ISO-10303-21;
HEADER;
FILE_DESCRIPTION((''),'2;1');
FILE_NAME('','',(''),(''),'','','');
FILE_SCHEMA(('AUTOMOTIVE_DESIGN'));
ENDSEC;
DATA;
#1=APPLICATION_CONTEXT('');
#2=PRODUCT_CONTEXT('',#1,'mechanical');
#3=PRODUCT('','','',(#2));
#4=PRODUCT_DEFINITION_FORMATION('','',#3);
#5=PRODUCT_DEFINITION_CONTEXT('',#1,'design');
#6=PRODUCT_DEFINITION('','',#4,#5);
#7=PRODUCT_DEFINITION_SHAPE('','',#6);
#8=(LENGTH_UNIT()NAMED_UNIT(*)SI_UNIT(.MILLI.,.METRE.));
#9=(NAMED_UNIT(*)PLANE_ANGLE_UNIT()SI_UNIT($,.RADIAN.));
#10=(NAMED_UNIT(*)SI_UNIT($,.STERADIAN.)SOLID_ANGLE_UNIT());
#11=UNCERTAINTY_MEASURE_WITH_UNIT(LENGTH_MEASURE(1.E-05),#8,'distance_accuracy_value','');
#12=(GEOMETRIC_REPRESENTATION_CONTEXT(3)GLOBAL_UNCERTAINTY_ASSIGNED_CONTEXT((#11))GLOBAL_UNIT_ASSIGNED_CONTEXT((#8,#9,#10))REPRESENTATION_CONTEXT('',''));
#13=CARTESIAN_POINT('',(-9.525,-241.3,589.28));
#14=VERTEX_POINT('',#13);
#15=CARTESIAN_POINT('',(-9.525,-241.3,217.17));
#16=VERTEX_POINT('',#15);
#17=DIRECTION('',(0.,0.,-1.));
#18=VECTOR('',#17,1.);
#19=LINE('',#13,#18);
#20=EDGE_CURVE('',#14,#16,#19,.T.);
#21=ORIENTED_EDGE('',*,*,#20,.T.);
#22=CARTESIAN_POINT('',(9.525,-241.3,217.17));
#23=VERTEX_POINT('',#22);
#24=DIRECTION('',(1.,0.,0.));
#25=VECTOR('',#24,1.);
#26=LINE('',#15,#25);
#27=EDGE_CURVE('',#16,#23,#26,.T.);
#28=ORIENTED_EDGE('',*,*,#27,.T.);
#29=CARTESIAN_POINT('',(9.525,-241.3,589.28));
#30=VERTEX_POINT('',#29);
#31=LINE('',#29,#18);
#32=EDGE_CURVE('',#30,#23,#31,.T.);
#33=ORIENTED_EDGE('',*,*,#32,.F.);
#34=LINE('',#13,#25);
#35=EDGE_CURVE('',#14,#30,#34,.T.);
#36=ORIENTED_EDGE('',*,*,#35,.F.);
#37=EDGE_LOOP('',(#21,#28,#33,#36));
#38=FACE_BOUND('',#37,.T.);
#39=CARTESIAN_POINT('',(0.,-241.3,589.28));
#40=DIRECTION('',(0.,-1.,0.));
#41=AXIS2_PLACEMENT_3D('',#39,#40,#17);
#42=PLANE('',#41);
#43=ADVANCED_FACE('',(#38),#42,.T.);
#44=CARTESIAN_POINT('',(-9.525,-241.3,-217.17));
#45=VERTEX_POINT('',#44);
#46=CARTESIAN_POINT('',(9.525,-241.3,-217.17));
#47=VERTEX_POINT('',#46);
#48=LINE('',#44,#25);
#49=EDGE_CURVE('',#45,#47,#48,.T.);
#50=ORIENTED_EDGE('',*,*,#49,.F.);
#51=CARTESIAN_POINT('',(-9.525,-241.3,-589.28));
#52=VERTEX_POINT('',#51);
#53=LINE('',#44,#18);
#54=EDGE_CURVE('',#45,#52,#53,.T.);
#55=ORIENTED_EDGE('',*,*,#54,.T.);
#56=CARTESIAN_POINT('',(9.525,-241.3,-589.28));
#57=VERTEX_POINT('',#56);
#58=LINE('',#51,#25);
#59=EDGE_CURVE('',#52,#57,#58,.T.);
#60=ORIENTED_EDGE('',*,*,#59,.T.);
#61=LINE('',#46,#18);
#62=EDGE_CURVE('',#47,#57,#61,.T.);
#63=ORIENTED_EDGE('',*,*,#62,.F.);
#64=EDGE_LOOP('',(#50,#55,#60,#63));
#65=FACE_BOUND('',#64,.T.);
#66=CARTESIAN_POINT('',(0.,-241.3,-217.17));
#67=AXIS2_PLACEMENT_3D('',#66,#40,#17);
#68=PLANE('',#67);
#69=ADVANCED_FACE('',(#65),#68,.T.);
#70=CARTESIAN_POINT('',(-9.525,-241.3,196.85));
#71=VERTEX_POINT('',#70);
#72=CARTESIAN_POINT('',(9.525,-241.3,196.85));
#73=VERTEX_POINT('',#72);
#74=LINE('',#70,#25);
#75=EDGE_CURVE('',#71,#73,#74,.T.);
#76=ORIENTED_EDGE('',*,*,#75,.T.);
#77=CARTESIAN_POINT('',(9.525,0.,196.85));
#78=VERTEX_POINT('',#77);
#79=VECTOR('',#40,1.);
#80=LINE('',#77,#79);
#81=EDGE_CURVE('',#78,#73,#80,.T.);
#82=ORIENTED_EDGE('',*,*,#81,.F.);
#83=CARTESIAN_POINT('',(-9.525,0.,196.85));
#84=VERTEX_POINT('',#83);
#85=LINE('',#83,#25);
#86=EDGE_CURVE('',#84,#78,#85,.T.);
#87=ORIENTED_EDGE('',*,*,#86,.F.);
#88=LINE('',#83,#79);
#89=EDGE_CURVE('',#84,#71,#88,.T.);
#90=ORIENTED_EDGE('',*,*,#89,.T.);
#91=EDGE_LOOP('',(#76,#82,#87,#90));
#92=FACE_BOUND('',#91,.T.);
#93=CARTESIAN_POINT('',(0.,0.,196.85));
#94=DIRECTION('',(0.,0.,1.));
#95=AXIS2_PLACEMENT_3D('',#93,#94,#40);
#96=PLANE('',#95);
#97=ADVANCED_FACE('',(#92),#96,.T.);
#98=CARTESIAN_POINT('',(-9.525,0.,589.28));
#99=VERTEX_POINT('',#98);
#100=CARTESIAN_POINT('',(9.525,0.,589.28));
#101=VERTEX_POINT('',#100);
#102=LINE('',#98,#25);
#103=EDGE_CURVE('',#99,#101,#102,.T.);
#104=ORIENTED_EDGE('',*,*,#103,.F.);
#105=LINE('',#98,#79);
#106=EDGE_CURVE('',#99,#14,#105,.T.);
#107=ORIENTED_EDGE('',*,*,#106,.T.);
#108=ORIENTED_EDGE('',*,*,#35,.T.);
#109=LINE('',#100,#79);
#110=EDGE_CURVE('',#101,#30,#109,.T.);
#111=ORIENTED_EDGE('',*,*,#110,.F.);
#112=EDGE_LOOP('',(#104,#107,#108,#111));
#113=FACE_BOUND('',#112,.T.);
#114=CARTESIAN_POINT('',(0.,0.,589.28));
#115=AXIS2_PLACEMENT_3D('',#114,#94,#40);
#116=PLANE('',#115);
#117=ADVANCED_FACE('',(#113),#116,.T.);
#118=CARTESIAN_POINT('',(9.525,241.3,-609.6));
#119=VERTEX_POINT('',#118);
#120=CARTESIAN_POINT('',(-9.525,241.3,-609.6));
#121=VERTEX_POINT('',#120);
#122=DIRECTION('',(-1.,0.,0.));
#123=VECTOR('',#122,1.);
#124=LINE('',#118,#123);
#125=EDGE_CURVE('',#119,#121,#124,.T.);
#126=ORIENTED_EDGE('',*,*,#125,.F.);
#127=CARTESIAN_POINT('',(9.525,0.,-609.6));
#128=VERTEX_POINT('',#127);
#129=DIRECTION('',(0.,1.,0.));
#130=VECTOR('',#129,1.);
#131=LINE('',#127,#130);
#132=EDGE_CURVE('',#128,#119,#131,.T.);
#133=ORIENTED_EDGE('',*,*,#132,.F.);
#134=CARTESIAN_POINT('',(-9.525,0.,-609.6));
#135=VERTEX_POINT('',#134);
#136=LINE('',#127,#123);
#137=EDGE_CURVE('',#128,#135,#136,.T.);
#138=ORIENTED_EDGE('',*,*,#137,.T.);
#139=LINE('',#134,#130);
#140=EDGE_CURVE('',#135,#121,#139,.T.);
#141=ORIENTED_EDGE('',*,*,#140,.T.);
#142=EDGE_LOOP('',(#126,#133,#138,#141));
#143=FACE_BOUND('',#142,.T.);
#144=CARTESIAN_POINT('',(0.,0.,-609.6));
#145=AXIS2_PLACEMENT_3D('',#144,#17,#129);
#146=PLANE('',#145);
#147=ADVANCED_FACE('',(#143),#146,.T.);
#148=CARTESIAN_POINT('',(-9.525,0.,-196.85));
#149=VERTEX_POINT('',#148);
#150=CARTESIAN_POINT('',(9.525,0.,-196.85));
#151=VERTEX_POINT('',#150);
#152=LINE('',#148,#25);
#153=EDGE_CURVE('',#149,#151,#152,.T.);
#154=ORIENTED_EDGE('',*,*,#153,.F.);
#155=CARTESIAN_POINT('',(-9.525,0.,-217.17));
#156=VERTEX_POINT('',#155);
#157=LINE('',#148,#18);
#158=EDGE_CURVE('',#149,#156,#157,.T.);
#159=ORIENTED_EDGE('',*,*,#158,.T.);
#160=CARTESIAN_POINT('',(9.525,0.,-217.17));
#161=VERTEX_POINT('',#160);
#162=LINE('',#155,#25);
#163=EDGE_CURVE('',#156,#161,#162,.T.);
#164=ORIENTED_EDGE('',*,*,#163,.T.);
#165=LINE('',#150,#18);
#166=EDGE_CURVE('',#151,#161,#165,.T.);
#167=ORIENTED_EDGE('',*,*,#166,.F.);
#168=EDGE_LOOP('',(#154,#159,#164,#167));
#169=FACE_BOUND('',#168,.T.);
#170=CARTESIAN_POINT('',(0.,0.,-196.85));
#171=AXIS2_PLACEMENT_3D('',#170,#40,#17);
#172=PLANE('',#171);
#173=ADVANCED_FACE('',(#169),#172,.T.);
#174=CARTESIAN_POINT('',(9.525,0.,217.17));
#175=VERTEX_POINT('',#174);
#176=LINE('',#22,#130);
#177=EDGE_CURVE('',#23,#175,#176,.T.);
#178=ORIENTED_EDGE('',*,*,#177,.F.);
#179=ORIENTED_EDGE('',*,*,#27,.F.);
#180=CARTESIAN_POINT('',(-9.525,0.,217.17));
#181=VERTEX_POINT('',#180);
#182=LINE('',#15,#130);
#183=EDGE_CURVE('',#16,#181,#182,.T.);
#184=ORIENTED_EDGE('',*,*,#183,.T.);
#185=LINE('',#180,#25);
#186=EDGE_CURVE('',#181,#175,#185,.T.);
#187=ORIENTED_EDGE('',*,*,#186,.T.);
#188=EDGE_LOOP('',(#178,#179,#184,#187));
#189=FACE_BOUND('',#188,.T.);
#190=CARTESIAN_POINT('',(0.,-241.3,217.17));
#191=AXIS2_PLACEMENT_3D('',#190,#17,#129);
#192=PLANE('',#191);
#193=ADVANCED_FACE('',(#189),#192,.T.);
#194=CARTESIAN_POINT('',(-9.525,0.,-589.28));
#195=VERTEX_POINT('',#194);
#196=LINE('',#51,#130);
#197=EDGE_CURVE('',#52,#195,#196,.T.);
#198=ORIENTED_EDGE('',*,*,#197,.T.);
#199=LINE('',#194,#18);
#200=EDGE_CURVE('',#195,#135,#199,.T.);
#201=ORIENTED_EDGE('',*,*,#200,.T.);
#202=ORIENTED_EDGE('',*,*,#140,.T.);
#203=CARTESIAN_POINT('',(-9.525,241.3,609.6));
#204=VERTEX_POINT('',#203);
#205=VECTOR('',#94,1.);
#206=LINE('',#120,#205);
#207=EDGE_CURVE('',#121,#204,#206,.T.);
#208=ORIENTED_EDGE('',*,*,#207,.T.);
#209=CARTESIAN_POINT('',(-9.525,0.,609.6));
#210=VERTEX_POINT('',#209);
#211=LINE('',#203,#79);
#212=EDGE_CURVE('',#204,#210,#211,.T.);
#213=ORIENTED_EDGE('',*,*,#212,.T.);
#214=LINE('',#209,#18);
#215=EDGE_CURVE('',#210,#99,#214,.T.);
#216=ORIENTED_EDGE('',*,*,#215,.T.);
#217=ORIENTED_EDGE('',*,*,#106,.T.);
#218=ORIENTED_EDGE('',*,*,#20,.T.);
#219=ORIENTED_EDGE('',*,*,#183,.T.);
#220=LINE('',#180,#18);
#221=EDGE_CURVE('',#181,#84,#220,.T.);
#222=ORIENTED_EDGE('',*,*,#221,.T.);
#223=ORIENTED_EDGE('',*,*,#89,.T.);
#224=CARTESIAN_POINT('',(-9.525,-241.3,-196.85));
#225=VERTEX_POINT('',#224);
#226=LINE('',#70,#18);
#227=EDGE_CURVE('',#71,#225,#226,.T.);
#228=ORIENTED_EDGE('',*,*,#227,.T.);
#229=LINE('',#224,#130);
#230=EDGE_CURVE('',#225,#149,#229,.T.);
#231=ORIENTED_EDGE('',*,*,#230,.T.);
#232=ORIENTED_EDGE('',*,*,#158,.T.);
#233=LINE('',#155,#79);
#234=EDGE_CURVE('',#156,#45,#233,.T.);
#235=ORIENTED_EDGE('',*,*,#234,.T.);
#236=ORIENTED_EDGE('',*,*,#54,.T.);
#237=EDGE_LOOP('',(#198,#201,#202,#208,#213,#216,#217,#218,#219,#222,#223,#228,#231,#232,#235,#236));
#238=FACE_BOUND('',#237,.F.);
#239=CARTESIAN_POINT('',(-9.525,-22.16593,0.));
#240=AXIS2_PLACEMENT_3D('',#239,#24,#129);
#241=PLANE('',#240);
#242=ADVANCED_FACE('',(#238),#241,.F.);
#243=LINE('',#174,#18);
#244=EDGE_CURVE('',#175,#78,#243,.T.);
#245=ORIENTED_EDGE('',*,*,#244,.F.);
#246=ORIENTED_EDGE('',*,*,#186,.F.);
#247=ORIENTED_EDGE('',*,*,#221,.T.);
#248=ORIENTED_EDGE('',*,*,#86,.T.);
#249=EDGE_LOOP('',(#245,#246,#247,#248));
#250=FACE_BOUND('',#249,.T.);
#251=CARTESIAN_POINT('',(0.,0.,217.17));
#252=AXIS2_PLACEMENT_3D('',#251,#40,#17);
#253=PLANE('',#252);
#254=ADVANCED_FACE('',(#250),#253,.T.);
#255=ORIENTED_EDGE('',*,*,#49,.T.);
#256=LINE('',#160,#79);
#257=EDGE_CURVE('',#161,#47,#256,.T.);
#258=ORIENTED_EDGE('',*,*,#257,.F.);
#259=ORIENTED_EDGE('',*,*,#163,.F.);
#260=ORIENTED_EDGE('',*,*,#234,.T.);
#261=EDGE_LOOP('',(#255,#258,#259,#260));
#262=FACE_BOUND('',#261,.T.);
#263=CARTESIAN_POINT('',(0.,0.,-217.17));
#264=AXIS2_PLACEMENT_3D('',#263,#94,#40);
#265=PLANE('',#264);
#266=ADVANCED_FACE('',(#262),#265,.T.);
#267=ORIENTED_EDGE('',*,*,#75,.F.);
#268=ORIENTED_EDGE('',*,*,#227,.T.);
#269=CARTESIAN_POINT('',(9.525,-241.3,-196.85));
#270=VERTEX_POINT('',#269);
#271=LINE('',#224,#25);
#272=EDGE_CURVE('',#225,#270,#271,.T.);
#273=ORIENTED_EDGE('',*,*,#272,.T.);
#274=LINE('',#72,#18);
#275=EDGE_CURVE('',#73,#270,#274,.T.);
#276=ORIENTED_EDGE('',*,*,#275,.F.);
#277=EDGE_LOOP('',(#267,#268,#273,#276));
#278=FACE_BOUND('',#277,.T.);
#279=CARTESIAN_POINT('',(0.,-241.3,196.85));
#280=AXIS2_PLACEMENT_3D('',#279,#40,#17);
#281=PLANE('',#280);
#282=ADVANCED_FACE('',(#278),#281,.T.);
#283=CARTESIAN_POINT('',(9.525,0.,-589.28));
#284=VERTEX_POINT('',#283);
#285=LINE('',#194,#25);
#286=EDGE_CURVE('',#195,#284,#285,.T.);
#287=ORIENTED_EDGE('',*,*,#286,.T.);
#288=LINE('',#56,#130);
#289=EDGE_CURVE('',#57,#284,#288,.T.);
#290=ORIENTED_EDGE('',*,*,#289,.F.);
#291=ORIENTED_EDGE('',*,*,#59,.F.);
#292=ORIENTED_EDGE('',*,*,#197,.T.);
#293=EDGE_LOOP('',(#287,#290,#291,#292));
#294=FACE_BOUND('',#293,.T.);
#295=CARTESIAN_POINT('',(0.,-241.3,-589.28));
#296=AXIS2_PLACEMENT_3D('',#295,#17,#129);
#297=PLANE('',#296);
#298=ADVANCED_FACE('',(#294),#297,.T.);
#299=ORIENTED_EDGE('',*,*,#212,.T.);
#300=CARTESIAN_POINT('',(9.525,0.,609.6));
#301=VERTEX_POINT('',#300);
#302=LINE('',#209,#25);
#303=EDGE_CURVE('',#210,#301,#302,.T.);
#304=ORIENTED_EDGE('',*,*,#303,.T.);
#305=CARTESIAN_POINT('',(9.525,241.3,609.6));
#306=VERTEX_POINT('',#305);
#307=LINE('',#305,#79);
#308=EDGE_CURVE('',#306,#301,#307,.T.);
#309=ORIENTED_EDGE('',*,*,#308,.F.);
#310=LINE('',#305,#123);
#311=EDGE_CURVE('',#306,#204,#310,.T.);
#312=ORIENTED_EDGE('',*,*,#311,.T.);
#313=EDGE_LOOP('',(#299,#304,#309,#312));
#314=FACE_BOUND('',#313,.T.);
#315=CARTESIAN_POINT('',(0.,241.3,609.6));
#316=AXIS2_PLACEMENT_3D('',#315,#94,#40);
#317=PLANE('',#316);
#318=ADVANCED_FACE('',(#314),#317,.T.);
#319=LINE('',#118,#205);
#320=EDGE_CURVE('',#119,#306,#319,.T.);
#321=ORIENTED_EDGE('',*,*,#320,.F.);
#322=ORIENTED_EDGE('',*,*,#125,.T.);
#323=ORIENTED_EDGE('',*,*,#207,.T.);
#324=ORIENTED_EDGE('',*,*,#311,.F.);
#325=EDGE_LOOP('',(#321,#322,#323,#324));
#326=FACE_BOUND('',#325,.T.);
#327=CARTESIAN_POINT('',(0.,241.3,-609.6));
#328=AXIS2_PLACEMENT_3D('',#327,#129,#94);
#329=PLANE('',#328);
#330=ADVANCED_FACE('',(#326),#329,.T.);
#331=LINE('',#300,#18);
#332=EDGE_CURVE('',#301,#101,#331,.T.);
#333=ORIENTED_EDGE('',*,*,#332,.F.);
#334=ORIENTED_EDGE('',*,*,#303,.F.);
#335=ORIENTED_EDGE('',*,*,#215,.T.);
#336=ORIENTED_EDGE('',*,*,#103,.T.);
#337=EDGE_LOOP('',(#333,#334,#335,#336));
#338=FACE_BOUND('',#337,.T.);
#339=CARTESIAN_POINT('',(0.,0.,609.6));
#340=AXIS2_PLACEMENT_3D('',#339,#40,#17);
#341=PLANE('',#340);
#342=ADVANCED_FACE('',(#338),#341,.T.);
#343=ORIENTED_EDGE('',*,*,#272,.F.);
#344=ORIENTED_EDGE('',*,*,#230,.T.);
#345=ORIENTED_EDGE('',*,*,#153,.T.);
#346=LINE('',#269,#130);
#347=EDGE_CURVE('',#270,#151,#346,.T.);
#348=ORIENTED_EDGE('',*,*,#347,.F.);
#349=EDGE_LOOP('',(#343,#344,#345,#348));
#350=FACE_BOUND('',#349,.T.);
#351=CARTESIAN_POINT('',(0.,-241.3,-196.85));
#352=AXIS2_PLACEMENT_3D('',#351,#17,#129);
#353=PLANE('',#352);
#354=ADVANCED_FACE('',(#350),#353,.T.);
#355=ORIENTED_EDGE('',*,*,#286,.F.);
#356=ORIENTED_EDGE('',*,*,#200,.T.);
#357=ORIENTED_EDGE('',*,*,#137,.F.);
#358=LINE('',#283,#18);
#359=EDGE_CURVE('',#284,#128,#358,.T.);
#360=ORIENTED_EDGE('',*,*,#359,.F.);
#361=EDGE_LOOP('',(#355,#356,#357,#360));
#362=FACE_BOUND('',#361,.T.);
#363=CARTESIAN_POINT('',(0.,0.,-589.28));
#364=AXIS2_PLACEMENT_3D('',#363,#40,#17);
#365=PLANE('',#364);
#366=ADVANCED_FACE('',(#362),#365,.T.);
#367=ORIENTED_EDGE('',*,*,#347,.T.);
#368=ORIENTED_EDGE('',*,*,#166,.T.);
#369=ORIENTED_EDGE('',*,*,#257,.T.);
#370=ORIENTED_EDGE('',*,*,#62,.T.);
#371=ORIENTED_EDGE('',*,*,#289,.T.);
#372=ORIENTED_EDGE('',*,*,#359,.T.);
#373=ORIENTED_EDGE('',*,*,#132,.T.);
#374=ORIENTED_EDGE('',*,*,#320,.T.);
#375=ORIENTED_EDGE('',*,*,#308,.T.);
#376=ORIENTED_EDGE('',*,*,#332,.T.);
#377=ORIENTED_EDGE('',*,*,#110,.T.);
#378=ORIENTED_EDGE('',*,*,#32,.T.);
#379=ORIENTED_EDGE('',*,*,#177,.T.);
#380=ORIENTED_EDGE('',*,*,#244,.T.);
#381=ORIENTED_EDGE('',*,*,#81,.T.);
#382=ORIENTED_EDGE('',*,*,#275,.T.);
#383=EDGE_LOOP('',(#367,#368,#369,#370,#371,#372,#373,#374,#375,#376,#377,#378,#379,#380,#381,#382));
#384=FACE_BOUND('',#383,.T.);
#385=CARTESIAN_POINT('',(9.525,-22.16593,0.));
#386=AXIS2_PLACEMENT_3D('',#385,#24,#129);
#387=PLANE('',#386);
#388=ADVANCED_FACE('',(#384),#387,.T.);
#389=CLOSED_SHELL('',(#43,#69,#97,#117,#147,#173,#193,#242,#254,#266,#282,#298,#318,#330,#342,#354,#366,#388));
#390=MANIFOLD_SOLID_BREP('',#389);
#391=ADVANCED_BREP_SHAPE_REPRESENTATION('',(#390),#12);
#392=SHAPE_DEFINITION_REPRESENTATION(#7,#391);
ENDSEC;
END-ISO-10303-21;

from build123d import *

# Parameters (mm, degrees)
F1_DEPTH = 9.525


with BuildPart() as f1:
    # F0 (on Right) → F1 (new body, symmetric)
    with BuildSketch(Plane.YZ):
        Polygon((241.3, -196.85), (241.3, 589.28), (241.3, 609.6), (0, 609.6), (0, 589.28), (-241.3, 589.28), (-241.3, 217.17), (0, 217.17), (0, 196.85), (-241.3, 196.85), (-241.3, -196.85), (0, -196.85), (0, -217.17), (-241.3, -217.17), (-241.3, -589.28), (0, -589.28), (0, -609.6), (241.3, -609.6), (241.3, -217.17), align=None)
    extrude(amount=F1_DEPTH, both=True)


solid = f1.part
